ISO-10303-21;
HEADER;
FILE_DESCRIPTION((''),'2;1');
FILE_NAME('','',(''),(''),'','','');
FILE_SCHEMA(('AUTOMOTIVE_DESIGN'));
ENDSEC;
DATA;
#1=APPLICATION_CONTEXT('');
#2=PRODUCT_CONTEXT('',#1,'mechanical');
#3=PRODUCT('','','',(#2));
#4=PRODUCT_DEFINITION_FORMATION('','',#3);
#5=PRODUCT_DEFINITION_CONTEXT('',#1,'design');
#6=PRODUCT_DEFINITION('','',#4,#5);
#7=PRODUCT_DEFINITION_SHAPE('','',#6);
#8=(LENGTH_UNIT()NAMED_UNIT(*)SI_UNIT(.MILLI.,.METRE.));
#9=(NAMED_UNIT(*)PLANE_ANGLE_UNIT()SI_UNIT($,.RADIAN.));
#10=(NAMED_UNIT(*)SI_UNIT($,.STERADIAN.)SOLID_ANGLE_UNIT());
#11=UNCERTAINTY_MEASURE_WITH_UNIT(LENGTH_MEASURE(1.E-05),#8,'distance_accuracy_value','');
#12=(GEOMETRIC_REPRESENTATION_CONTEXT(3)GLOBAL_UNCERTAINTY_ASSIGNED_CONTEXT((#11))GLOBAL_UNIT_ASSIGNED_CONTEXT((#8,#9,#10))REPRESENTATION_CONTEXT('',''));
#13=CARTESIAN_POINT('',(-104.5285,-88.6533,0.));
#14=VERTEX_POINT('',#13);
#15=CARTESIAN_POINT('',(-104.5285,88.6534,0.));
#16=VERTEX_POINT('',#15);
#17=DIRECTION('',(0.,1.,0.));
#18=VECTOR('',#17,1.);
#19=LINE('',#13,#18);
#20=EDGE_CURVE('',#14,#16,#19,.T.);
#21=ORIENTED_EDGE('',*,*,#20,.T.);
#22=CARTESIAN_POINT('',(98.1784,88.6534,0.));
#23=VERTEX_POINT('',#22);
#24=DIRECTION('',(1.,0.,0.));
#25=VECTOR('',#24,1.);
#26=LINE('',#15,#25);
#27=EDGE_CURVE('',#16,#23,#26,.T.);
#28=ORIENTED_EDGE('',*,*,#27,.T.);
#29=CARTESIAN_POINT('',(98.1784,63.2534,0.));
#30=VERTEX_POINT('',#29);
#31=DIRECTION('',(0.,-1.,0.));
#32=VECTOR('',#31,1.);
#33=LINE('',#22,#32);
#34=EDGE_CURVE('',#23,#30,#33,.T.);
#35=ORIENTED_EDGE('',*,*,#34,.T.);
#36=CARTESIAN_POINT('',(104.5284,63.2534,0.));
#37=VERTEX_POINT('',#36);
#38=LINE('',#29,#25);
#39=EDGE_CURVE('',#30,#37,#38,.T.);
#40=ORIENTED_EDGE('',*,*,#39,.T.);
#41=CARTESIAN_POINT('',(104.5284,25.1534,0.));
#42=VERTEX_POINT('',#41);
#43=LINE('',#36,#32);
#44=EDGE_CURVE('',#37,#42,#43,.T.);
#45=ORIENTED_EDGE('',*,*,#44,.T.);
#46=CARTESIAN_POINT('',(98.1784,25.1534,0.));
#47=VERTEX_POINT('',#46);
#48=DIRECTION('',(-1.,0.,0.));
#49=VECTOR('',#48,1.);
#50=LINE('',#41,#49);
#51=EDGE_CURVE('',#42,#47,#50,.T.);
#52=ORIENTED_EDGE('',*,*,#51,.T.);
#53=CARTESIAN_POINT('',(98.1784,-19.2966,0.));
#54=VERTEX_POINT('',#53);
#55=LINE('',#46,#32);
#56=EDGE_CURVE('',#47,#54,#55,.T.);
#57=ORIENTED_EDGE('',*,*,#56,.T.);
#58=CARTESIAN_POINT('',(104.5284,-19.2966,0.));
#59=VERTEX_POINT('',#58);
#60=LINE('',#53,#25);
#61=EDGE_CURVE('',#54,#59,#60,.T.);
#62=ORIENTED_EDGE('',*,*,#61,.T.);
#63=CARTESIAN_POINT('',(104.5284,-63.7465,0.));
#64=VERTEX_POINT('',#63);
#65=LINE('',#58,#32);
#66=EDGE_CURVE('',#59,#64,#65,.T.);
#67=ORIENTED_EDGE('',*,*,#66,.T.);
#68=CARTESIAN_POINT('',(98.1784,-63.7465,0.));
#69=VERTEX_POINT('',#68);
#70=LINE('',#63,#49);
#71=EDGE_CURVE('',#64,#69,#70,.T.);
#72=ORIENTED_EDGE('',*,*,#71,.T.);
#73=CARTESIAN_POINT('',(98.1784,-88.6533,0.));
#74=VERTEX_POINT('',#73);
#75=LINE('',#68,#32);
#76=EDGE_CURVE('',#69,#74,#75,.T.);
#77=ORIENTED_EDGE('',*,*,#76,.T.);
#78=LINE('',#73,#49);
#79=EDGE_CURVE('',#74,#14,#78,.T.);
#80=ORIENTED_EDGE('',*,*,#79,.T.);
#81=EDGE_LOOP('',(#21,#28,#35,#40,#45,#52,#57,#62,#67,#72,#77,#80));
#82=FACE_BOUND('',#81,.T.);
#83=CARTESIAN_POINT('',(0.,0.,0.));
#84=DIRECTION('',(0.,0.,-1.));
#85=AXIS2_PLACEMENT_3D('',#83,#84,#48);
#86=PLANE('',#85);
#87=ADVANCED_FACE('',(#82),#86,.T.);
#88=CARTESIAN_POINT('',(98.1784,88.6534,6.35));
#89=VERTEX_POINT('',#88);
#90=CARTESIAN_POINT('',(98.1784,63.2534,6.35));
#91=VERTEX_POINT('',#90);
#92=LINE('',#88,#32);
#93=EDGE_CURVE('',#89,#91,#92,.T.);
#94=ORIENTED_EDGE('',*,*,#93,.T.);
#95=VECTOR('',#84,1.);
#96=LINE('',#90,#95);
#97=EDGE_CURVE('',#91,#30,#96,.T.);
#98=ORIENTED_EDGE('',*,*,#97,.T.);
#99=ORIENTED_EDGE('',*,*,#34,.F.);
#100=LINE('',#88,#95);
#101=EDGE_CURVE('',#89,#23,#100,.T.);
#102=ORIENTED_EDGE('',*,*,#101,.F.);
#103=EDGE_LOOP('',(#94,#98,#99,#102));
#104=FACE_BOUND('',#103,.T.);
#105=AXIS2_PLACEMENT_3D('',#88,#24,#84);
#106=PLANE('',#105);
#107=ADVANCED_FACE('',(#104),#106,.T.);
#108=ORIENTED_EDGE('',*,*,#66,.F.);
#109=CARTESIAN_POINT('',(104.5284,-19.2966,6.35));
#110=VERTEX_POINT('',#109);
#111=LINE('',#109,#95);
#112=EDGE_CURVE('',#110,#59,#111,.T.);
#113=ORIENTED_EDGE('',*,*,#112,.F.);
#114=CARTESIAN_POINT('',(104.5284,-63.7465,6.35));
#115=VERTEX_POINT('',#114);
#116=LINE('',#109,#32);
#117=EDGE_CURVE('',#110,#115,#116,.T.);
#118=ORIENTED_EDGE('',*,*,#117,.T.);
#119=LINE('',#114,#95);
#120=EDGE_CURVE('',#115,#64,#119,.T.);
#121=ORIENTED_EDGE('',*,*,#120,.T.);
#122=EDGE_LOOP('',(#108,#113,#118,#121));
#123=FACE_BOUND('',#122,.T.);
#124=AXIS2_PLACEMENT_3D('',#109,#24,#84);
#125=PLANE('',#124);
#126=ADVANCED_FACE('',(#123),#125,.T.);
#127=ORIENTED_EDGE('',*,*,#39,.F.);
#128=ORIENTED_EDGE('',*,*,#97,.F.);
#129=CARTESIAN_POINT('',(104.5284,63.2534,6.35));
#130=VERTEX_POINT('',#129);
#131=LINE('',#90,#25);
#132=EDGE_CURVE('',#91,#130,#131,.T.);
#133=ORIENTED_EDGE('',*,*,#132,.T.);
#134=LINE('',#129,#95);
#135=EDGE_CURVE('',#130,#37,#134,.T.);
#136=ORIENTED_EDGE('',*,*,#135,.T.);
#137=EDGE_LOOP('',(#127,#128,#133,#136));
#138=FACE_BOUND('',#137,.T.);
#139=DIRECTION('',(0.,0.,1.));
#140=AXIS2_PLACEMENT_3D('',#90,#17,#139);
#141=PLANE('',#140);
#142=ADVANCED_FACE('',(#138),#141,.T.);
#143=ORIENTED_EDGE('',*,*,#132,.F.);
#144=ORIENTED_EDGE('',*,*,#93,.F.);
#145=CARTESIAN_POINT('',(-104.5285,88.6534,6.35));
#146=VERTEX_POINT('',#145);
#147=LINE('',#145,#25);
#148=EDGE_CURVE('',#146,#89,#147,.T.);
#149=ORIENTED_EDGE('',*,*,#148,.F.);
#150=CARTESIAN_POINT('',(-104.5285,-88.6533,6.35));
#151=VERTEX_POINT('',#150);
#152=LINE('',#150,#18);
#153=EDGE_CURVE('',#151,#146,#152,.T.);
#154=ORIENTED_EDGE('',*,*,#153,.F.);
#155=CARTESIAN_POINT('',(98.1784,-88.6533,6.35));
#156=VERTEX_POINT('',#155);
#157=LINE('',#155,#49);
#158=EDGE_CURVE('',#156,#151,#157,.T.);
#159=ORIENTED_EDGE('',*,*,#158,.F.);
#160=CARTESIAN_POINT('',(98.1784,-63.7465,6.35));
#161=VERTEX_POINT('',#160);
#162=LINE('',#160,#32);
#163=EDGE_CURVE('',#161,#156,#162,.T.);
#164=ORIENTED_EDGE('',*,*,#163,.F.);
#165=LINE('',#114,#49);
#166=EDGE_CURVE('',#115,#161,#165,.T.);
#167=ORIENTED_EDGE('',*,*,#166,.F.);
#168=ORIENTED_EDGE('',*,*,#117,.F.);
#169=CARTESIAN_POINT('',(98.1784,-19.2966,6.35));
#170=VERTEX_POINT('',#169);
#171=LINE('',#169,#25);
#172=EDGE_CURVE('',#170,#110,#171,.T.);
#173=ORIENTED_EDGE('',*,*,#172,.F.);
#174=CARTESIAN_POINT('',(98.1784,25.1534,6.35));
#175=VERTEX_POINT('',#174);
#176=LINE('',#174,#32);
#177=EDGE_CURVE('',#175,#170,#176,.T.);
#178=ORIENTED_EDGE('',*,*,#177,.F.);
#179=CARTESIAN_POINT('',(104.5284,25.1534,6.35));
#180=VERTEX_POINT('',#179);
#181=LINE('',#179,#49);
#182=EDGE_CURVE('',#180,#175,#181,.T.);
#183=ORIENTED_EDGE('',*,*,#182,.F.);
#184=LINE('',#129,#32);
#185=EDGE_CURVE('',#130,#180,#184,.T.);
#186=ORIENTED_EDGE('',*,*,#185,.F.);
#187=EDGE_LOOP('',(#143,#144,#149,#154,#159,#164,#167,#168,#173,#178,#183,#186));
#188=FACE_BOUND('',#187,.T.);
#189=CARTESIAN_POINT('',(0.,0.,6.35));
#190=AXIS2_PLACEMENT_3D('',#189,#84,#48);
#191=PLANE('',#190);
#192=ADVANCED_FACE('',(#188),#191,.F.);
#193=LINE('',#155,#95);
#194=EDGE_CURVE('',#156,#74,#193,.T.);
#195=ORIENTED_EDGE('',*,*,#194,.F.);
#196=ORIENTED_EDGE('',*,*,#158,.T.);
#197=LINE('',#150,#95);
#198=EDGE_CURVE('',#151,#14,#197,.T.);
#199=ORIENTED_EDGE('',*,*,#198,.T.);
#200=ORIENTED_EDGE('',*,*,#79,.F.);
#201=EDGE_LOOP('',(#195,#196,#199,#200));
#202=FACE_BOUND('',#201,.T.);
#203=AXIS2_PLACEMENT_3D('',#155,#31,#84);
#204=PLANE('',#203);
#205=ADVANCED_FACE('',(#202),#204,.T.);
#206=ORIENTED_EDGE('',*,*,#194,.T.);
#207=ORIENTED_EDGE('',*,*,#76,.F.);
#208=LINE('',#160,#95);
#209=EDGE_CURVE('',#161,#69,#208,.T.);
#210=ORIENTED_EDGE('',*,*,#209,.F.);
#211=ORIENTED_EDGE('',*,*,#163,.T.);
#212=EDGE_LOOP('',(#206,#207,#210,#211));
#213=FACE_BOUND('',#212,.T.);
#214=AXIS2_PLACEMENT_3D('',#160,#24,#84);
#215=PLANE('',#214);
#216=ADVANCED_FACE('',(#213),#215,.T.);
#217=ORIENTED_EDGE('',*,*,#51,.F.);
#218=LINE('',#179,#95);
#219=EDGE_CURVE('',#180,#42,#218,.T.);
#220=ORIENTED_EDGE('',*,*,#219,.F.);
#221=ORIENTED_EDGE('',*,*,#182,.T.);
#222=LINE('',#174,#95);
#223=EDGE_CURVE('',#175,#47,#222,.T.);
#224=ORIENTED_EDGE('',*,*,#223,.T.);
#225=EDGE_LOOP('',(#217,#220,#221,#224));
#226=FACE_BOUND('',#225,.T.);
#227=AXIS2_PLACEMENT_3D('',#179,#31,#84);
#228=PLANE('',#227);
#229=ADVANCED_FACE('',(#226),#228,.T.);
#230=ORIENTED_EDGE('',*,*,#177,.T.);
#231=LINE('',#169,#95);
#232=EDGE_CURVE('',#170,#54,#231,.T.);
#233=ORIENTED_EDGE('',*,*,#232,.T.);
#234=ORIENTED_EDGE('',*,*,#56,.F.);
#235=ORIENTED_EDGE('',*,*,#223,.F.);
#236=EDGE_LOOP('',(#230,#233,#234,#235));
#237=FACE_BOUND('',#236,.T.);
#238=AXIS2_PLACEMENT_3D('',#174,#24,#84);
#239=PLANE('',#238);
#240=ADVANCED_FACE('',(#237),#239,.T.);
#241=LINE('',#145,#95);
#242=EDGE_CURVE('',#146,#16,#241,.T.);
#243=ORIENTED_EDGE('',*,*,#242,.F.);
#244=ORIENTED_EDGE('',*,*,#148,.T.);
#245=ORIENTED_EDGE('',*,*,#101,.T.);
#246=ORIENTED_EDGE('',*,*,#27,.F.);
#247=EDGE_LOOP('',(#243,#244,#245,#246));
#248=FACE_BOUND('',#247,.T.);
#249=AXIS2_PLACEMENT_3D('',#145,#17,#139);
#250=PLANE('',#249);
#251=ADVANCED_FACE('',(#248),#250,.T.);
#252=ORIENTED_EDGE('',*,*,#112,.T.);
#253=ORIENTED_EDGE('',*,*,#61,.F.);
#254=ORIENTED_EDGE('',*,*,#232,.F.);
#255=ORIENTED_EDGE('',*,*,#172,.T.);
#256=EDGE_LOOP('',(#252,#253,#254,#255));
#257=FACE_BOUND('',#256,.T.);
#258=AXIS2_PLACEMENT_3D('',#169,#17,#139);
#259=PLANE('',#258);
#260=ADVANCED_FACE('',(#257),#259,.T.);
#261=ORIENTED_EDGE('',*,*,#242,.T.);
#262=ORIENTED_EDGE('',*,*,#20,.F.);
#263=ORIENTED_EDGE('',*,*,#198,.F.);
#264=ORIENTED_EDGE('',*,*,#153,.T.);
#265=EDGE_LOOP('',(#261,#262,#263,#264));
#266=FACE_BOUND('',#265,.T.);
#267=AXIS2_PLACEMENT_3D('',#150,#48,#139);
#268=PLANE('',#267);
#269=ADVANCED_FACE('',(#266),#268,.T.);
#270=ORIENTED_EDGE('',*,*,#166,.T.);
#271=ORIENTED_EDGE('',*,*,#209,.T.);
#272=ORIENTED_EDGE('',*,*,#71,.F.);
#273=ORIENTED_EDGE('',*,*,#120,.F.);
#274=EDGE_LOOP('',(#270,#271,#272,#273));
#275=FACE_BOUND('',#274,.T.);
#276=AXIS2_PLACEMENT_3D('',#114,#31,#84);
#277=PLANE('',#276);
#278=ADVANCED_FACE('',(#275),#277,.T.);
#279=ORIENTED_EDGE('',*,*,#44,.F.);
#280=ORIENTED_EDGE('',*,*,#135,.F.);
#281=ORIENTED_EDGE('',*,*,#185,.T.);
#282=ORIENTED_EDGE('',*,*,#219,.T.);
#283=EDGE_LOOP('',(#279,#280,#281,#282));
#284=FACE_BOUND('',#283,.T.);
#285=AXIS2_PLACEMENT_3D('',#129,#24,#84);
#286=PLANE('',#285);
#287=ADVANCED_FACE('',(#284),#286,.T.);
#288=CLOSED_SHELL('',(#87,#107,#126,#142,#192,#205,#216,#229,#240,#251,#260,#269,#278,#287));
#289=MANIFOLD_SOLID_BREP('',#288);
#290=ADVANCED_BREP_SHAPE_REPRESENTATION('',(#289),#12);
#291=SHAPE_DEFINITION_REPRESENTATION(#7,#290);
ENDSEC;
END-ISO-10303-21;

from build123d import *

# Parameters (mm, degrees)
BOSS_EXTRUDE1_DEPTH = 6.35


with BuildPart() as part:
    # Model → Boss-Extrude1 (new body)
    with BuildSketch(Plane.XY):
        Polygon((-104.5285, 88.6534), (98.1784, 88.6534), (98.1784, 63.2534), (104.5284, 63.2534), (104.5284, 25.1534), (98.1784, 25.1534), (98.1784, -19.2966), (104.5284, -19.2966), (104.5284, -63.7465), (98.1784, -63.7465), (98.1784, -88.6533), (-104.5285, -88.6533), align=None)
    extrude(amount=BOSS_EXTRUDE1_DEPTH)


solid = part.part
